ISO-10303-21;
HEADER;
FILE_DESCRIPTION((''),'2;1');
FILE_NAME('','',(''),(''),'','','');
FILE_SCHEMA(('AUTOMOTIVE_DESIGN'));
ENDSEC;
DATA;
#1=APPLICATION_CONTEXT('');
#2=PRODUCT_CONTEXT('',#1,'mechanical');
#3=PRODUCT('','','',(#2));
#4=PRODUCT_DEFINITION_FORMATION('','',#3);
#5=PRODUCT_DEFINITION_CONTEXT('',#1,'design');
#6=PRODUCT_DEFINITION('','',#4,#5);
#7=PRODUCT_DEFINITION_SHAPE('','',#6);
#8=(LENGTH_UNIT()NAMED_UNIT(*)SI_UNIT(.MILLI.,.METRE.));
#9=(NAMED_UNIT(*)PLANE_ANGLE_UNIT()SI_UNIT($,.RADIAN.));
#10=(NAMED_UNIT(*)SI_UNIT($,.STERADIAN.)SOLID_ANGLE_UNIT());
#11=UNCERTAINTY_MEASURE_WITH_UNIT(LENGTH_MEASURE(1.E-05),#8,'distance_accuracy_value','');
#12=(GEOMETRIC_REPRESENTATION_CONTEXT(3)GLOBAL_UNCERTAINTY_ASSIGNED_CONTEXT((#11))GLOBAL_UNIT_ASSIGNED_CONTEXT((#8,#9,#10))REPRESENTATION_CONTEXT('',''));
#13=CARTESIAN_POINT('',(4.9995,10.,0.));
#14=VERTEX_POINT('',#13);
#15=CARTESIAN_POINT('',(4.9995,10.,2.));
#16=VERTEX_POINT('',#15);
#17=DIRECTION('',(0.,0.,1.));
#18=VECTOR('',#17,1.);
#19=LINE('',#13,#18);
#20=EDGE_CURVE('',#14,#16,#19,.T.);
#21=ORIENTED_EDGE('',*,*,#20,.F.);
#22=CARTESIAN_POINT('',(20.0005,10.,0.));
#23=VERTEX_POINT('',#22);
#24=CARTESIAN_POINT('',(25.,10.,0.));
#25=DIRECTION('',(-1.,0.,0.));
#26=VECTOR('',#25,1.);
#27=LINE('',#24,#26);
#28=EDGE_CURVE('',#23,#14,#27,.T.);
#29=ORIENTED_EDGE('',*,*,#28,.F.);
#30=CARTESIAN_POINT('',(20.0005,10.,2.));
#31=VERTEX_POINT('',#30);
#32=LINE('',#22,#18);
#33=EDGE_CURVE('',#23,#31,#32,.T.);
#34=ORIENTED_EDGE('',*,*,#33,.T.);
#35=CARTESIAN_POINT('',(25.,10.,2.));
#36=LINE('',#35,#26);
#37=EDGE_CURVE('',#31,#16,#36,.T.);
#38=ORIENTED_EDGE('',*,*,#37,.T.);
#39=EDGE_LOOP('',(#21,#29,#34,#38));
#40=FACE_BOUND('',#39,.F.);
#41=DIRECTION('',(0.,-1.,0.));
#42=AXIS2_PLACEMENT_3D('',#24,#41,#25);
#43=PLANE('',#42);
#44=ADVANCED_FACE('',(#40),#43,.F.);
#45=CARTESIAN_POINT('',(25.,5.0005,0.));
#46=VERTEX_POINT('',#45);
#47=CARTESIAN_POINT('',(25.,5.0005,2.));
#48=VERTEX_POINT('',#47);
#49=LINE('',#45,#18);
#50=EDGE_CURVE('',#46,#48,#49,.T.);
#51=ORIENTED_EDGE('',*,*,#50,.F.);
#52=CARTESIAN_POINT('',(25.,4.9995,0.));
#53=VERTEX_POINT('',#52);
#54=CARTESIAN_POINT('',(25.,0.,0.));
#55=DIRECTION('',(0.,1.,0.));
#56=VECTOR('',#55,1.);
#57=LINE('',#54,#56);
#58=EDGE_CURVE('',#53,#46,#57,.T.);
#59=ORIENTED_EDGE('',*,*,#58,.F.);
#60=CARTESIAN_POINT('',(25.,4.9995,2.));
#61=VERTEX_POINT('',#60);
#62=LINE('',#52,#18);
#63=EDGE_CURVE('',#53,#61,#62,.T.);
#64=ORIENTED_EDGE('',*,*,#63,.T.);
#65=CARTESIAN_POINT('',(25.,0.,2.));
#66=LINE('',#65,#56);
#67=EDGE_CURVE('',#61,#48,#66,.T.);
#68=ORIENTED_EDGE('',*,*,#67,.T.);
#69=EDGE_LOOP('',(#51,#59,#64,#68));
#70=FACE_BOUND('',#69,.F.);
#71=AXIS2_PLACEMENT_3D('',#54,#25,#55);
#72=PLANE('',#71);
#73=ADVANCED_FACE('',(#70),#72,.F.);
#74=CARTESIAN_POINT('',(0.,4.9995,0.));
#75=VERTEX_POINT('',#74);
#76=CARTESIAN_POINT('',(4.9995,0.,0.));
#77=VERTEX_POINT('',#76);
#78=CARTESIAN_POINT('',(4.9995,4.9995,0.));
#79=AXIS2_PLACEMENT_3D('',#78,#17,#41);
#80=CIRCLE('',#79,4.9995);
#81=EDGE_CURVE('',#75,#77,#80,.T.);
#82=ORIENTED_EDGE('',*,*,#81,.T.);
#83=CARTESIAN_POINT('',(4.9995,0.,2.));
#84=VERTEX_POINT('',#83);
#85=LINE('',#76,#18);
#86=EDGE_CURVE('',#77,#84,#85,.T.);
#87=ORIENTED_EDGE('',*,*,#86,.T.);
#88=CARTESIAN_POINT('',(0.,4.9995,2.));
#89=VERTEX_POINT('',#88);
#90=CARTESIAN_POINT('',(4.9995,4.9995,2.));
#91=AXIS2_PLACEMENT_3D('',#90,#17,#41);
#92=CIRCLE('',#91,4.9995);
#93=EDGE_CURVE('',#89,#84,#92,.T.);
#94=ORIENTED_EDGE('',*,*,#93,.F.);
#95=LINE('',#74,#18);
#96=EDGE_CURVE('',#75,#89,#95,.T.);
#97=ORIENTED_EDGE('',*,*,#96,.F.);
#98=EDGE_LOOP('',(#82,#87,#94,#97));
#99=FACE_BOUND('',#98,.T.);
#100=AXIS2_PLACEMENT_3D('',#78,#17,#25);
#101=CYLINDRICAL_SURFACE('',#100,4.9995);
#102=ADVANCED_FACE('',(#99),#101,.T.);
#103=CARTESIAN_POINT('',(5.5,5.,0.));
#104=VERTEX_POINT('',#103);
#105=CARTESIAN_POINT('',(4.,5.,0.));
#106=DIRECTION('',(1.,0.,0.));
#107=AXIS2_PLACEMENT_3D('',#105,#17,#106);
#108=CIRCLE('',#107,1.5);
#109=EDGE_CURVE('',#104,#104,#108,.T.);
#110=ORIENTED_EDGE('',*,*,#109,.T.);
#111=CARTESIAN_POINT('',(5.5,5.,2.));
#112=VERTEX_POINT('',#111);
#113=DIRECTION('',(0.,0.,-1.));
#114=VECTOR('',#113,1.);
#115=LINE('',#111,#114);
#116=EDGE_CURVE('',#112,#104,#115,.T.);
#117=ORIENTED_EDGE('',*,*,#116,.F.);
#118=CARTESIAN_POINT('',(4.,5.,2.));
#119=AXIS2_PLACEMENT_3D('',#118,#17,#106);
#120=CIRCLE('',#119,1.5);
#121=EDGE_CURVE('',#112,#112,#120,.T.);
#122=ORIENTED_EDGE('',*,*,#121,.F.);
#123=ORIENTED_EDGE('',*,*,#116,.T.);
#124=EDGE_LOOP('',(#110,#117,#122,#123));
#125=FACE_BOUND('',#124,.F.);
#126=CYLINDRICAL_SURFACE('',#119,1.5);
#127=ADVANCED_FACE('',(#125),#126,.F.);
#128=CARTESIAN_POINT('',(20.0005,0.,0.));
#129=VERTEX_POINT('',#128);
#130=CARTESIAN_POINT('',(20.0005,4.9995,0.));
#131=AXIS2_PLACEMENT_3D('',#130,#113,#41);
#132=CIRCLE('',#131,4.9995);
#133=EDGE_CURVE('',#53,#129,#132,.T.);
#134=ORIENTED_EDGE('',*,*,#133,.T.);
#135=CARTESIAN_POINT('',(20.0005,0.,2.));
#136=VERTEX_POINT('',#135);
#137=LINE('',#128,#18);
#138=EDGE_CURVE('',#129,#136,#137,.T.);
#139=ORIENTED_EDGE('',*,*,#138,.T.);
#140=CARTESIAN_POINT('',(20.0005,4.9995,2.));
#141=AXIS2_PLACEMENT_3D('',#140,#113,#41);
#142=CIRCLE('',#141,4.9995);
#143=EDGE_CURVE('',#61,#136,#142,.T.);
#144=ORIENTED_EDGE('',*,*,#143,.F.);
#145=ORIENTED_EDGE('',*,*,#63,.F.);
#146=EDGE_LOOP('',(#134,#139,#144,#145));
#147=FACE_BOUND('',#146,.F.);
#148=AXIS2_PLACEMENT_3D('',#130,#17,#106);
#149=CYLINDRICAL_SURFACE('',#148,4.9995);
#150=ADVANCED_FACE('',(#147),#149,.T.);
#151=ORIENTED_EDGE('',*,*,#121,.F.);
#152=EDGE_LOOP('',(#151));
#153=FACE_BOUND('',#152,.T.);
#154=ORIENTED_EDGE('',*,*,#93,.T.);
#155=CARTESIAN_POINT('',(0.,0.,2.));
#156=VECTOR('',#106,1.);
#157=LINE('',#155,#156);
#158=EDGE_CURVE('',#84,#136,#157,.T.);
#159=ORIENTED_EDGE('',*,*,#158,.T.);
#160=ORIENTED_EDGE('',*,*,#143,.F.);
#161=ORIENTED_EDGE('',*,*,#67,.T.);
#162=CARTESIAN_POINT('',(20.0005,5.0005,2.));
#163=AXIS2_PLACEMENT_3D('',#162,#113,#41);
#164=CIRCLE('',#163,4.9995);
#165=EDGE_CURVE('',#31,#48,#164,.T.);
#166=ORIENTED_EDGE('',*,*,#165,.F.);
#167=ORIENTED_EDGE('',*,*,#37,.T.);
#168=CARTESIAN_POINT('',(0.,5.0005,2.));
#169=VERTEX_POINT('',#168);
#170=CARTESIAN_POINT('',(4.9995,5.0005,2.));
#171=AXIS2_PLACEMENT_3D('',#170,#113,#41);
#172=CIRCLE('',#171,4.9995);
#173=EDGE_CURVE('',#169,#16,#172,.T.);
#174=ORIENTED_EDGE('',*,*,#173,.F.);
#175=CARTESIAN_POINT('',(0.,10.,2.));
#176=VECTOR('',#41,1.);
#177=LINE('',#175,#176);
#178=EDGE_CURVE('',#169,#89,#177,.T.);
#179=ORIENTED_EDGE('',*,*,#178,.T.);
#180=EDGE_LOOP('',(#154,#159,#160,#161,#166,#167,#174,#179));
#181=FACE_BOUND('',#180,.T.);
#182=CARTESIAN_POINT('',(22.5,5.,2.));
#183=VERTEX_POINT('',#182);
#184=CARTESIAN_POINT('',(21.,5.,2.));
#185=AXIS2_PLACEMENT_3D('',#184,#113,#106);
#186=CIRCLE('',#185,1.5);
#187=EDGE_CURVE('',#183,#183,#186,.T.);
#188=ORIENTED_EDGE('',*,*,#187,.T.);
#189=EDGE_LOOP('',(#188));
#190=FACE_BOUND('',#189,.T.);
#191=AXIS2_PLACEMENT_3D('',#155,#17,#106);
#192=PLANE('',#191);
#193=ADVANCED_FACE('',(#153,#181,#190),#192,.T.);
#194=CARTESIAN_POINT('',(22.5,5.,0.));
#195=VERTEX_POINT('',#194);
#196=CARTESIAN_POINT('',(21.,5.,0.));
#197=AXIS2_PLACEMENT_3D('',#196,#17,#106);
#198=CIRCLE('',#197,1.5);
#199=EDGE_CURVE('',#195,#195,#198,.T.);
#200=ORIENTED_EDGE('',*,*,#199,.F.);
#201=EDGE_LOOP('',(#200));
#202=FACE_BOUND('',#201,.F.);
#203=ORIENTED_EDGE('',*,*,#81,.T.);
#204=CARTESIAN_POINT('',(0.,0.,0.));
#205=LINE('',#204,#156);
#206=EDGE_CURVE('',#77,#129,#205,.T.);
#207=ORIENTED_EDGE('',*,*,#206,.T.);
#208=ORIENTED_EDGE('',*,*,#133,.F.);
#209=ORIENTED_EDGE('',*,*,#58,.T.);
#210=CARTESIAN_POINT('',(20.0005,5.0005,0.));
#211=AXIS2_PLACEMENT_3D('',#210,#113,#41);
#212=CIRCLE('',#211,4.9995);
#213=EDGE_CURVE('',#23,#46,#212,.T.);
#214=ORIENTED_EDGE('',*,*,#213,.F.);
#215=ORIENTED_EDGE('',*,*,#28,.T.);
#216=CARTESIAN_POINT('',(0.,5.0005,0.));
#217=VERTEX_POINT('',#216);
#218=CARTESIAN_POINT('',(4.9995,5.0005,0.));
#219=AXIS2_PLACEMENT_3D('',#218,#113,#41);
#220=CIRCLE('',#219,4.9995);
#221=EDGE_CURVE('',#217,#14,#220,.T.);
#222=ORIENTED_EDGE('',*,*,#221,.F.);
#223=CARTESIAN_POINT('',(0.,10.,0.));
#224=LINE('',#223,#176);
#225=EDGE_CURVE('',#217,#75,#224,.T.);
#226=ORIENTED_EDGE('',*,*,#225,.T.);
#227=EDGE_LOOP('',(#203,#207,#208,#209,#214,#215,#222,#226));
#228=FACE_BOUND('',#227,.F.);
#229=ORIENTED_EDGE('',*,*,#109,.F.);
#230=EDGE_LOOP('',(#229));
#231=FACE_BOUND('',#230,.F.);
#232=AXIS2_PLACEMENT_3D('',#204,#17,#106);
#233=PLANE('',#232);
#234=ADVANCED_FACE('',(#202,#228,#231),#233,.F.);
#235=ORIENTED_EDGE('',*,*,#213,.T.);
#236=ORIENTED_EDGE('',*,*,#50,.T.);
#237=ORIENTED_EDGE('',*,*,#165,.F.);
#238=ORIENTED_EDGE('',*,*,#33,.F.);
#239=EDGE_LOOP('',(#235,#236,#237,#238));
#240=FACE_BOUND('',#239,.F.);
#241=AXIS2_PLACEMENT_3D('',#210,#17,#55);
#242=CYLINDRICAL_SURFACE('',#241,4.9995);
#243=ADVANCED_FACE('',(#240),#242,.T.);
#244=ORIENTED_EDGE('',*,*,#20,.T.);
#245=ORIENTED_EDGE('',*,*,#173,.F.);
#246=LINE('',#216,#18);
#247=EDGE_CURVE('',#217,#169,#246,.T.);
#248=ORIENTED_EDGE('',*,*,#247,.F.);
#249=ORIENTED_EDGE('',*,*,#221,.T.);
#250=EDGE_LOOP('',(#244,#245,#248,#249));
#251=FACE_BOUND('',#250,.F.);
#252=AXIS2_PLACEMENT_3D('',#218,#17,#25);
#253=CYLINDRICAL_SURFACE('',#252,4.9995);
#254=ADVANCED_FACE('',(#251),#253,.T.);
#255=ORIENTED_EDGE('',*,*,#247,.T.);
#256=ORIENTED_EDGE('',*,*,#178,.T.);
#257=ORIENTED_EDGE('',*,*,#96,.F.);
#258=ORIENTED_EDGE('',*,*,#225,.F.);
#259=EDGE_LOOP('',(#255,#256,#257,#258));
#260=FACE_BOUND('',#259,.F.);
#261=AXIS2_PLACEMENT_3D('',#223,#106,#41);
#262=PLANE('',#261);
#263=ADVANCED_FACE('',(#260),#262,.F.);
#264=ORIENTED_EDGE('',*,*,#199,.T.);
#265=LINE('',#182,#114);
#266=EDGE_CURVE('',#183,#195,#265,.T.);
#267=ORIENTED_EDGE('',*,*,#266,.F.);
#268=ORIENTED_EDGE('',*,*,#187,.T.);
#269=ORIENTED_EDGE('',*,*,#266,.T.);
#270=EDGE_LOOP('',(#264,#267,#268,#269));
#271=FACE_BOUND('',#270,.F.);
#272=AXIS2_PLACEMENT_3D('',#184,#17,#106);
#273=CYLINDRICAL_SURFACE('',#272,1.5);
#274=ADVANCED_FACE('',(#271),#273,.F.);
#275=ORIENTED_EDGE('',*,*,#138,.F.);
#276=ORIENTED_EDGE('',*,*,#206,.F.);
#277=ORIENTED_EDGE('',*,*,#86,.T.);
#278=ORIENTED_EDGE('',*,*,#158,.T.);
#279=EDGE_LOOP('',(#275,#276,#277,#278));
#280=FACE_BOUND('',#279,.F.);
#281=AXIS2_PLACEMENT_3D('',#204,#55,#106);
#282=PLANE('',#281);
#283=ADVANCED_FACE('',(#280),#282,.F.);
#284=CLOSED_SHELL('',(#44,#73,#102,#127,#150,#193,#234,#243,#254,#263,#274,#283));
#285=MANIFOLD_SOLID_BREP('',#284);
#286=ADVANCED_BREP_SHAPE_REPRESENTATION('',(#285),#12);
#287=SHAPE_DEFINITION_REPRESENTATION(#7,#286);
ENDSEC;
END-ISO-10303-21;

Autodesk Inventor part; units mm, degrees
ref_plane "YZ Plane" through (0, 0, 0) normal (1, 0, 0) x (0, 1, 0)
ref_plane "XZ Plane" through (0, 0, 0) normal (0, 1, 0) x (-1, 0, 0)
ref_plane "XY Plane" through (0, 0, 0) normal (0, 0, 1) x (1, 0, 0)
sketch "Sketch1" plane through (0, 0, 0) normal (0, 0, 1) x (1, 0, 0)
  line L0 (0, 0) -> (25, 0)
  line L1 (25, 0) -> (25, 10)
  line L2 (25, 10) -> (0, 10)
  line L3 (0, 10) -> (0, 0)
  dimension "d0" = 25
  dimension "d1" = 10
extrude "Extrusion1" add sketch "Sketch1" along normal blind 2
fillet "Fillet1" radius 5 4 edges at (25, 10, 1) (25, 0, 1) (0, 0, 1) (0, 10, 1)
sketch "Sketch2" plane through (0, 0, 2) normal (0, 0, 1) x (1, 0, 0)
  arc A0 (5, 10) -> (5, 0) centre (5, 5) ccw projected
  arc A1 (20, 0) -> (20, 10) centre (20, 5) ccw projected
  line L0 (5, 5) -> (4, 5)
  line L1 (4, 5) -> (21, 5)
  circle A2 centre (4, 5) radius 1.5
  circle A3 centre (21, 5) radius 1.5
  point P0 (0, 0)
  dimension "d9" = 1
  dimension "d10" = 17
  dimension "d11" = 3
  dimension "d12" = 3
extrude "Extrusion3" cut sketch "Sketch2" against normal blind 10
properties part number "Middle support"
